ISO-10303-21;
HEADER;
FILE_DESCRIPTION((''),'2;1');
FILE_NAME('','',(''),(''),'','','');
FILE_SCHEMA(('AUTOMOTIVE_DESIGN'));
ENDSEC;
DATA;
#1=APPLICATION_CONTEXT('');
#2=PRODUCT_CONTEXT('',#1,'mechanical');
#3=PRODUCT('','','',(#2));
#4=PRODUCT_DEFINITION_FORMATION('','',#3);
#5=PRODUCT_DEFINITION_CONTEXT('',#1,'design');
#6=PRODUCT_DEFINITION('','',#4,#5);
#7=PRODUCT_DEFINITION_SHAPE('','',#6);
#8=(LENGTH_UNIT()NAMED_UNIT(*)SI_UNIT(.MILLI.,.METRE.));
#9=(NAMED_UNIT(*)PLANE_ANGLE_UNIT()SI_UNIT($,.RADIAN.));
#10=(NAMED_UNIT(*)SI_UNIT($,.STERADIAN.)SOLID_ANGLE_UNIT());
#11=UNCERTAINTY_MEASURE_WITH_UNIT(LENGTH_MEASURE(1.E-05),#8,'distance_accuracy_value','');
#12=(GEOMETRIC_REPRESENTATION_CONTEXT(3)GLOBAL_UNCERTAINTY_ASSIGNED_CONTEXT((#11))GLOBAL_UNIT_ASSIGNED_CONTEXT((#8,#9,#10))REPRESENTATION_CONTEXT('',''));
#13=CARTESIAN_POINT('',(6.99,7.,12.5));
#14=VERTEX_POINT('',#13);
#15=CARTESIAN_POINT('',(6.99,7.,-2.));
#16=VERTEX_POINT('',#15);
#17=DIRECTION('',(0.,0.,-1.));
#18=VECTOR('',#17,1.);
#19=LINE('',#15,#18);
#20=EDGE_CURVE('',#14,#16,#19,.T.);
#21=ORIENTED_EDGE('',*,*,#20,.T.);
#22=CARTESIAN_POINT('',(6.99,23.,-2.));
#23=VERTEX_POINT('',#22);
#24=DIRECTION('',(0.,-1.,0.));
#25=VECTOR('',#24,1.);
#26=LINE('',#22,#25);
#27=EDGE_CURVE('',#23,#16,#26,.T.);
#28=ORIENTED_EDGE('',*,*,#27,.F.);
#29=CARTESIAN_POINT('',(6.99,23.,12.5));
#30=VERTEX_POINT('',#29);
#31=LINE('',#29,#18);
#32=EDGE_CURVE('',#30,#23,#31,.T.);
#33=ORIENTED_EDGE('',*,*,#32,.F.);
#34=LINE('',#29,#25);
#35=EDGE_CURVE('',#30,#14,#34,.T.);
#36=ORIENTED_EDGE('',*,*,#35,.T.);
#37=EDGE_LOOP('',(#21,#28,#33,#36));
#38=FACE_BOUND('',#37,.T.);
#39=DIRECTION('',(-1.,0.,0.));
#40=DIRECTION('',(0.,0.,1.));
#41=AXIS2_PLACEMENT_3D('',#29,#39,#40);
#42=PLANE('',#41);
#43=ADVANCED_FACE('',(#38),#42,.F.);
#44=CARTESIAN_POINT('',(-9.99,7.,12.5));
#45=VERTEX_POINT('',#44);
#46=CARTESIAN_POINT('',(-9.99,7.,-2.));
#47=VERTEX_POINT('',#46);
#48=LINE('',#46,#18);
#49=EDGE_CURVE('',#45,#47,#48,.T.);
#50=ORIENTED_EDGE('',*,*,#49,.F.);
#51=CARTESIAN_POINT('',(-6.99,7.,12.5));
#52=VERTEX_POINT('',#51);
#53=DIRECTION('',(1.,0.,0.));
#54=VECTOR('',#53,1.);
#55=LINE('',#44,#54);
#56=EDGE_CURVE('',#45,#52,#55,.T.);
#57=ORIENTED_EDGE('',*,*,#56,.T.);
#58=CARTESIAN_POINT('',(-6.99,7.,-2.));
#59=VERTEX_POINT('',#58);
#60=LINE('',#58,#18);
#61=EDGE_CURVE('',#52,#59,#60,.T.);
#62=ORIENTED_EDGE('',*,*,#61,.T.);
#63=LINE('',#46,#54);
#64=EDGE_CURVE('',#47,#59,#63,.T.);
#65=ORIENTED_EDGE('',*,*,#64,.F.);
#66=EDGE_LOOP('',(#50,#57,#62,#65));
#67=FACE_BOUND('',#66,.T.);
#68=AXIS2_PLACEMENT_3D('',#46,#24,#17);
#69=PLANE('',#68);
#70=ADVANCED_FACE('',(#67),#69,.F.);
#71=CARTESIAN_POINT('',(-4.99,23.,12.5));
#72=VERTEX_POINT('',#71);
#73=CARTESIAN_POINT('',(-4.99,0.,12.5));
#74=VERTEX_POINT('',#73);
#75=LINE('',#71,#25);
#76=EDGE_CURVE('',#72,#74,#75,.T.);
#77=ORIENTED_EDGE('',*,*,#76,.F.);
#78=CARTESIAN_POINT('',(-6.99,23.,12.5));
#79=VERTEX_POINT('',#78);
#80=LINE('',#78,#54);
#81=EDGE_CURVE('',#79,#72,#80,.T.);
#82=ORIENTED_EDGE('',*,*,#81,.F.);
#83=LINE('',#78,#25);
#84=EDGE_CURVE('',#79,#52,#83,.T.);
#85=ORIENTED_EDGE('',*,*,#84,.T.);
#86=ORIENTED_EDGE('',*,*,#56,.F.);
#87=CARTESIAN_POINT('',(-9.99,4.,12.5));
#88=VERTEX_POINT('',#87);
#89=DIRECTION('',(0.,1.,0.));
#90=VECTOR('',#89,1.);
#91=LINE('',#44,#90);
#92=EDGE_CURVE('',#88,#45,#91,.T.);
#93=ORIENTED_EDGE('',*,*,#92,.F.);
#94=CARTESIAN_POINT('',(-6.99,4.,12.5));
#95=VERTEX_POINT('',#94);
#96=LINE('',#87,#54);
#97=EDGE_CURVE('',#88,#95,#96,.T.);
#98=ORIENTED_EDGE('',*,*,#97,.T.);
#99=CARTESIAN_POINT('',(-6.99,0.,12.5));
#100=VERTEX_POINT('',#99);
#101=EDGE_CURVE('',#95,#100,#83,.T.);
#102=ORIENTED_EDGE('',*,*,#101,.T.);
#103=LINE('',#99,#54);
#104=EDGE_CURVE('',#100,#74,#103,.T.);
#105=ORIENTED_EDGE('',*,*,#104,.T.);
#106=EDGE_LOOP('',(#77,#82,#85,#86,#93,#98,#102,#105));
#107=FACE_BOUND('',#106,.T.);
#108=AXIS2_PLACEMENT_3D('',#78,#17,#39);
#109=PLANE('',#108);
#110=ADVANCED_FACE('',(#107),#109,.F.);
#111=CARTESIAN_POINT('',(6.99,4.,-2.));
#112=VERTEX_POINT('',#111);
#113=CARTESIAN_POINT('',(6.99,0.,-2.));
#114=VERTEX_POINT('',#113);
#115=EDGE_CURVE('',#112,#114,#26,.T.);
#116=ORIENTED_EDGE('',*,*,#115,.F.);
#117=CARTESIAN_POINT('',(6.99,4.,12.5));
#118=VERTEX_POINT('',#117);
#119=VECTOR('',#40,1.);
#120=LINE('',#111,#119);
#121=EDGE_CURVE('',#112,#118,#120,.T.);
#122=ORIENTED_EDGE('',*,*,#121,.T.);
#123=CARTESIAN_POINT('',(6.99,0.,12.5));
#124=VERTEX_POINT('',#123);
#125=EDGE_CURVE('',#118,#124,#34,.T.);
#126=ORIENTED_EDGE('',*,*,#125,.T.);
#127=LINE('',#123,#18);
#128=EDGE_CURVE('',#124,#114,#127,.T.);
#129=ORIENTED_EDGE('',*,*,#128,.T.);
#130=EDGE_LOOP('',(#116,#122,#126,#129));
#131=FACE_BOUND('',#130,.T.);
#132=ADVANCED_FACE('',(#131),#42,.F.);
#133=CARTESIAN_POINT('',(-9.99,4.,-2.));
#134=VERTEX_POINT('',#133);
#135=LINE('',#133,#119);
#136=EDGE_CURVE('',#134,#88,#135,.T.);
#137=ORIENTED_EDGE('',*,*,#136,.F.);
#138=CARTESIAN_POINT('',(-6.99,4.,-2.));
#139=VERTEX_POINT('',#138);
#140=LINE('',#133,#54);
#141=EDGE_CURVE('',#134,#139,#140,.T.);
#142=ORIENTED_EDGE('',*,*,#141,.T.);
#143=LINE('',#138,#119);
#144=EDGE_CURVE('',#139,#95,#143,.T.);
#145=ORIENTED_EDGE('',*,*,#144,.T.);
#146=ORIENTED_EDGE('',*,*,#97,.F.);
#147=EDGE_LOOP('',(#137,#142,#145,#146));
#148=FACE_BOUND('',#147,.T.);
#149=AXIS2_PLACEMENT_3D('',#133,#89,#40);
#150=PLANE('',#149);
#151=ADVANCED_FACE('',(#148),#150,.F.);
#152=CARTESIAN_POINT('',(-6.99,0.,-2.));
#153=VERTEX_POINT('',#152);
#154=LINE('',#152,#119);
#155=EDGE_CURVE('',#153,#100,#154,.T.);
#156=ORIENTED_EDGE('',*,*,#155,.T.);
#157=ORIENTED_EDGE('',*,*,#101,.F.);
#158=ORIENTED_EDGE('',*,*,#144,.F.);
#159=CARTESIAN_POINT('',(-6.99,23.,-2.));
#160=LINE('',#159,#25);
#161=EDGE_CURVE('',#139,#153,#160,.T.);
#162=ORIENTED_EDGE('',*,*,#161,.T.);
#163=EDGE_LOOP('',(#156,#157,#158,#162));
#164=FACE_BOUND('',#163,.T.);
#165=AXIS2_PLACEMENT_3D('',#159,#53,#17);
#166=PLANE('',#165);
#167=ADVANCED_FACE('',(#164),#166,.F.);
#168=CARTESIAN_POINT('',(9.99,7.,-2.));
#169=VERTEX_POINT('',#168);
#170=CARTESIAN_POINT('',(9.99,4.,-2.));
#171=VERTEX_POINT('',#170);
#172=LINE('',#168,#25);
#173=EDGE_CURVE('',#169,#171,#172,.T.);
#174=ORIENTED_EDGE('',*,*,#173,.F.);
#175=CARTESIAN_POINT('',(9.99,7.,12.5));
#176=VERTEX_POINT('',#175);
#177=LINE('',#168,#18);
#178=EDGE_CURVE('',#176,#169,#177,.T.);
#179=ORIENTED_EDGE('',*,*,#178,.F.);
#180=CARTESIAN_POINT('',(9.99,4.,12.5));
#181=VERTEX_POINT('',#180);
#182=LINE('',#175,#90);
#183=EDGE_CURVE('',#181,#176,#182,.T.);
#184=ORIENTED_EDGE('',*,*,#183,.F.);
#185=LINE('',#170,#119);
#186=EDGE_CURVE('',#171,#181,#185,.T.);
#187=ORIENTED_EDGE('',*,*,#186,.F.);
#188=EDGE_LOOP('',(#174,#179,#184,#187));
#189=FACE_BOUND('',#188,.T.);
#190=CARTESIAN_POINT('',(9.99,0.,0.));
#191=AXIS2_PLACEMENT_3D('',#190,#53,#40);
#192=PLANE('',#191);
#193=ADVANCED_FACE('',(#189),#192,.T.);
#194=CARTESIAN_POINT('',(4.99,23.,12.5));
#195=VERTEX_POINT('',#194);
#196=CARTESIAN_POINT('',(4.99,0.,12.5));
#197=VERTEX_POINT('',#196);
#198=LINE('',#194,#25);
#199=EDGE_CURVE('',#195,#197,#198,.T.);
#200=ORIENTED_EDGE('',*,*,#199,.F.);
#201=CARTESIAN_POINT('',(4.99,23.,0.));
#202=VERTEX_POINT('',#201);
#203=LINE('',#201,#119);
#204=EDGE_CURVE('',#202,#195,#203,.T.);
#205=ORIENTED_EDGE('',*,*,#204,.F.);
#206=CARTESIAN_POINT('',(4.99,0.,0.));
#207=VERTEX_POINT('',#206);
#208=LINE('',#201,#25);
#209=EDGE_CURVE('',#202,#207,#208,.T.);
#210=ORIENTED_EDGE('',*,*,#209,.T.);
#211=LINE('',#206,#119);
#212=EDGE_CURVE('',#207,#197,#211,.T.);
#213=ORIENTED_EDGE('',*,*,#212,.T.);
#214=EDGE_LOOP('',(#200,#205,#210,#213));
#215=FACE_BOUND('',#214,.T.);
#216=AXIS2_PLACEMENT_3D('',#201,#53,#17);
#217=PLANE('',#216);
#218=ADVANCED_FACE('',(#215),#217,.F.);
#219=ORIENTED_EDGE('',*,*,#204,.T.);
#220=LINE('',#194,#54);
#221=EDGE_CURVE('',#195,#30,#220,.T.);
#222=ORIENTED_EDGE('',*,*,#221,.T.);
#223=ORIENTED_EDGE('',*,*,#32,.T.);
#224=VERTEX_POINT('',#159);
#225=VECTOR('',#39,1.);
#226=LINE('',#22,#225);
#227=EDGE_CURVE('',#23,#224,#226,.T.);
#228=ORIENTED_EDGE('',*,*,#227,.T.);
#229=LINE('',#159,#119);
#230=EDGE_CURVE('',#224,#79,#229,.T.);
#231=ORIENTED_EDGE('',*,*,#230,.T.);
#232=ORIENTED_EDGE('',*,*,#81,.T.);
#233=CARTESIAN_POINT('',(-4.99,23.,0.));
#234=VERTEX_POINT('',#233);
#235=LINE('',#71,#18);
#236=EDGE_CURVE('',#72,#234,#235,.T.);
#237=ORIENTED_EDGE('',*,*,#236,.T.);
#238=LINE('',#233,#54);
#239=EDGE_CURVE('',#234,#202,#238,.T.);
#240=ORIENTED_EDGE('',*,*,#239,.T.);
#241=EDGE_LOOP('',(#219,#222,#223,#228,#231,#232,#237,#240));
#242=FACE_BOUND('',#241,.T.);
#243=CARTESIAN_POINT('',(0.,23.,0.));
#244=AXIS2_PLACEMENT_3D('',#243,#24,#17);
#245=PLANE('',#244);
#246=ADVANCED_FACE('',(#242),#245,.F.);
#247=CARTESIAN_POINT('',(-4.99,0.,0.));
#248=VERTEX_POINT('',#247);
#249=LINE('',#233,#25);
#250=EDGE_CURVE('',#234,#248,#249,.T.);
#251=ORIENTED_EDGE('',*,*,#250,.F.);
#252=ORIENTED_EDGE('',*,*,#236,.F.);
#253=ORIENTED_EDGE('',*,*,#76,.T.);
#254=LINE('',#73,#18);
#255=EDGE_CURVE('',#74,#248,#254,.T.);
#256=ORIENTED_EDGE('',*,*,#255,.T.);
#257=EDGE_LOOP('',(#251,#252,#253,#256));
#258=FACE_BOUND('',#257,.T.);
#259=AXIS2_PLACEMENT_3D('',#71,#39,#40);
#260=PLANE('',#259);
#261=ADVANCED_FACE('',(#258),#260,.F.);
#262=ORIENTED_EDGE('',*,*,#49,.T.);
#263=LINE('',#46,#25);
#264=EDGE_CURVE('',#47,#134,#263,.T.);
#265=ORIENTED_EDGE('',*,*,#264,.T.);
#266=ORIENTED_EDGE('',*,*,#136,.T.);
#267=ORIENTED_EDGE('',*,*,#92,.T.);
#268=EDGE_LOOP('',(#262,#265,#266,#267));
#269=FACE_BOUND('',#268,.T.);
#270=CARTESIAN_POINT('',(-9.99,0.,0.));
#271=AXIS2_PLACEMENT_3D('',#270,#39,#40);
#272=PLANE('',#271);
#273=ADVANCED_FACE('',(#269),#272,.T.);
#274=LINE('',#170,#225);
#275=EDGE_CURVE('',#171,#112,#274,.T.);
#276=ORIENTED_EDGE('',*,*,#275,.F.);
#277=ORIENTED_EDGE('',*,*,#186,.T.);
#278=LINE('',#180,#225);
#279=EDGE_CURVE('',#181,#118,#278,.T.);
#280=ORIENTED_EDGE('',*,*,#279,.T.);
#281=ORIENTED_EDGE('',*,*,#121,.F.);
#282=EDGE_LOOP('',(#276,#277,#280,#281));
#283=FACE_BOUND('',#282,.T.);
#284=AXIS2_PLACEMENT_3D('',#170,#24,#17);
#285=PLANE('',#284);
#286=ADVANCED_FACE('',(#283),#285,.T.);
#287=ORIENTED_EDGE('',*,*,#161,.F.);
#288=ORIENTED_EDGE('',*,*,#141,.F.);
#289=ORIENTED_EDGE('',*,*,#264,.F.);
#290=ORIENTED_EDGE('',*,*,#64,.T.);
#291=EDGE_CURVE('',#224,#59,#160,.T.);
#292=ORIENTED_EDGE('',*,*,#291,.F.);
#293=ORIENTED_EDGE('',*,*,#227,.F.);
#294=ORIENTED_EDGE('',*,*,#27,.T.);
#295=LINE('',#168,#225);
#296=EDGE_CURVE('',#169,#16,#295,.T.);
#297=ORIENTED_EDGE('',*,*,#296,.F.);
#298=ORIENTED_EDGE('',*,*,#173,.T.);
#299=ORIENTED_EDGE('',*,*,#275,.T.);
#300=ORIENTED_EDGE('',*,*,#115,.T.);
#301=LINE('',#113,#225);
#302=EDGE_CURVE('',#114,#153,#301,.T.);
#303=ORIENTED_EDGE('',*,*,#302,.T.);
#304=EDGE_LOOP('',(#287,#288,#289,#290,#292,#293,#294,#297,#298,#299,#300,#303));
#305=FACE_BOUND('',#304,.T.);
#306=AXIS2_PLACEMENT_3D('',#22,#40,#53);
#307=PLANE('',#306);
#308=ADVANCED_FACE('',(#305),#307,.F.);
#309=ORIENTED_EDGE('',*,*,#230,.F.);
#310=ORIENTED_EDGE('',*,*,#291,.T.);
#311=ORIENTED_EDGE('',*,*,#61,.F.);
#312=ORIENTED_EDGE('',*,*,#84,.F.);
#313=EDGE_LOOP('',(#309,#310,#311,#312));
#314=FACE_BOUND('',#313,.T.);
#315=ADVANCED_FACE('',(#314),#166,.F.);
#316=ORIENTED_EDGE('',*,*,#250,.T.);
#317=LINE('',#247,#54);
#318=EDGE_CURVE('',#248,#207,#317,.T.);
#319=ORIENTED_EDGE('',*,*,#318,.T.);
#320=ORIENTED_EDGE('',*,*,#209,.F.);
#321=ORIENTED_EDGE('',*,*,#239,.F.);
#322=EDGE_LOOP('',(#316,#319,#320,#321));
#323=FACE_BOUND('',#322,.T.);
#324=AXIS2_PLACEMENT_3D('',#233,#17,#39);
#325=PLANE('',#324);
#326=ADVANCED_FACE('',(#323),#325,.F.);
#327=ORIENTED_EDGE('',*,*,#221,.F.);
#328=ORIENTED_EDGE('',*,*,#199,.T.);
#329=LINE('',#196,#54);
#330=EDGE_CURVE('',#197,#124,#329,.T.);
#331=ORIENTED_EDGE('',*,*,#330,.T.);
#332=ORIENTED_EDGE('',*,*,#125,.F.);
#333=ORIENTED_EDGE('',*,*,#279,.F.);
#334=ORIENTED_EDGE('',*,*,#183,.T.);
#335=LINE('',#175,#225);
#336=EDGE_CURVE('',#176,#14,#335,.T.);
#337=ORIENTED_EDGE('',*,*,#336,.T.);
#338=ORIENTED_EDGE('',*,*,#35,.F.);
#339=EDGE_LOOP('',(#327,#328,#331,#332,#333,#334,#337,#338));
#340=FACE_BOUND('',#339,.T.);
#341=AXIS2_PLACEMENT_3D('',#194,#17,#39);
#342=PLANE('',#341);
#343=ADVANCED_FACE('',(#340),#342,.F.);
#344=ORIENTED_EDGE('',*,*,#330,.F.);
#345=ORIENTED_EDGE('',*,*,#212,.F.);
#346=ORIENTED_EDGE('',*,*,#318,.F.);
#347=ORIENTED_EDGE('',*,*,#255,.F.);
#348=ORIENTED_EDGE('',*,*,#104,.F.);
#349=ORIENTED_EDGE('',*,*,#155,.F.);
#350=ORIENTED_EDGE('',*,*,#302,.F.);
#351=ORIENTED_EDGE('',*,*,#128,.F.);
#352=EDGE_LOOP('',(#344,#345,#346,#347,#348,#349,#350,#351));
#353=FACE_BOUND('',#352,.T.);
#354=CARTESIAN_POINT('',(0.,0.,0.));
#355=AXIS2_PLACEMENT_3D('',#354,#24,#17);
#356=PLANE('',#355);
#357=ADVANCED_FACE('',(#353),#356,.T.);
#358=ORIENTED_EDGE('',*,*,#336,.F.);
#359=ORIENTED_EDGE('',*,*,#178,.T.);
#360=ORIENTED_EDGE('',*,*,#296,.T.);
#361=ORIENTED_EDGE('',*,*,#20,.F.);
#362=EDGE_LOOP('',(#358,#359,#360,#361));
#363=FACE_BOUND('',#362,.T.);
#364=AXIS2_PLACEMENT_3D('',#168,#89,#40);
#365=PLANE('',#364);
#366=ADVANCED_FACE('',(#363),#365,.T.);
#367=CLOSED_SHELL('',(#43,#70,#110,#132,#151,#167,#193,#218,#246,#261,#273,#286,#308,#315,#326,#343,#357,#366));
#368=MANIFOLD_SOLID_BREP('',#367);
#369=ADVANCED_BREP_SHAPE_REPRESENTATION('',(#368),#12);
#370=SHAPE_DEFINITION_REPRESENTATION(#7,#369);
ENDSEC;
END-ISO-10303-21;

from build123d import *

# Parameters (mm, degrees)
BOSS_EXTRUDE1_DEPTH = 23
SKETCH9_W           = 14.5
SKETCH9_H           = 3
BOSS_EXTRUDE4_DEPTH = 3


with BuildPart() as part:
    # Sketch1 → Boss-Extrude1 (new body)
    with BuildSketch(Plane(origin=(0, 0, 0), x_dir=(1, 0, 0), z_dir=(0, 1, 0))):
        Polygon((-4.99, 0), (4.99, 0), (4.99, -12.5), (6.99, -12.5), (6.99, 2), (-6.99, 2), (-6.99, -12.5), (-4.99, -12.5), align=None)
    extrude(amount=BOSS_EXTRUDE1_DEPTH)

    # Sketch9 → Boss-Extrude4 (add)
    with BuildSketch(Plane.ZY.offset(6.99)):
        with Locations((5.25, 5.5)):
            Rectangle(SKETCH9_W, SKETCH9_H)
    boss_extrude4 = extrude(amount=BOSS_EXTRUDE4_DEPTH)

    # Mirror1: Boss-Extrude4 across plane
    add(boss_extrude4.mirror(Plane.ZY))


solid = part.part
